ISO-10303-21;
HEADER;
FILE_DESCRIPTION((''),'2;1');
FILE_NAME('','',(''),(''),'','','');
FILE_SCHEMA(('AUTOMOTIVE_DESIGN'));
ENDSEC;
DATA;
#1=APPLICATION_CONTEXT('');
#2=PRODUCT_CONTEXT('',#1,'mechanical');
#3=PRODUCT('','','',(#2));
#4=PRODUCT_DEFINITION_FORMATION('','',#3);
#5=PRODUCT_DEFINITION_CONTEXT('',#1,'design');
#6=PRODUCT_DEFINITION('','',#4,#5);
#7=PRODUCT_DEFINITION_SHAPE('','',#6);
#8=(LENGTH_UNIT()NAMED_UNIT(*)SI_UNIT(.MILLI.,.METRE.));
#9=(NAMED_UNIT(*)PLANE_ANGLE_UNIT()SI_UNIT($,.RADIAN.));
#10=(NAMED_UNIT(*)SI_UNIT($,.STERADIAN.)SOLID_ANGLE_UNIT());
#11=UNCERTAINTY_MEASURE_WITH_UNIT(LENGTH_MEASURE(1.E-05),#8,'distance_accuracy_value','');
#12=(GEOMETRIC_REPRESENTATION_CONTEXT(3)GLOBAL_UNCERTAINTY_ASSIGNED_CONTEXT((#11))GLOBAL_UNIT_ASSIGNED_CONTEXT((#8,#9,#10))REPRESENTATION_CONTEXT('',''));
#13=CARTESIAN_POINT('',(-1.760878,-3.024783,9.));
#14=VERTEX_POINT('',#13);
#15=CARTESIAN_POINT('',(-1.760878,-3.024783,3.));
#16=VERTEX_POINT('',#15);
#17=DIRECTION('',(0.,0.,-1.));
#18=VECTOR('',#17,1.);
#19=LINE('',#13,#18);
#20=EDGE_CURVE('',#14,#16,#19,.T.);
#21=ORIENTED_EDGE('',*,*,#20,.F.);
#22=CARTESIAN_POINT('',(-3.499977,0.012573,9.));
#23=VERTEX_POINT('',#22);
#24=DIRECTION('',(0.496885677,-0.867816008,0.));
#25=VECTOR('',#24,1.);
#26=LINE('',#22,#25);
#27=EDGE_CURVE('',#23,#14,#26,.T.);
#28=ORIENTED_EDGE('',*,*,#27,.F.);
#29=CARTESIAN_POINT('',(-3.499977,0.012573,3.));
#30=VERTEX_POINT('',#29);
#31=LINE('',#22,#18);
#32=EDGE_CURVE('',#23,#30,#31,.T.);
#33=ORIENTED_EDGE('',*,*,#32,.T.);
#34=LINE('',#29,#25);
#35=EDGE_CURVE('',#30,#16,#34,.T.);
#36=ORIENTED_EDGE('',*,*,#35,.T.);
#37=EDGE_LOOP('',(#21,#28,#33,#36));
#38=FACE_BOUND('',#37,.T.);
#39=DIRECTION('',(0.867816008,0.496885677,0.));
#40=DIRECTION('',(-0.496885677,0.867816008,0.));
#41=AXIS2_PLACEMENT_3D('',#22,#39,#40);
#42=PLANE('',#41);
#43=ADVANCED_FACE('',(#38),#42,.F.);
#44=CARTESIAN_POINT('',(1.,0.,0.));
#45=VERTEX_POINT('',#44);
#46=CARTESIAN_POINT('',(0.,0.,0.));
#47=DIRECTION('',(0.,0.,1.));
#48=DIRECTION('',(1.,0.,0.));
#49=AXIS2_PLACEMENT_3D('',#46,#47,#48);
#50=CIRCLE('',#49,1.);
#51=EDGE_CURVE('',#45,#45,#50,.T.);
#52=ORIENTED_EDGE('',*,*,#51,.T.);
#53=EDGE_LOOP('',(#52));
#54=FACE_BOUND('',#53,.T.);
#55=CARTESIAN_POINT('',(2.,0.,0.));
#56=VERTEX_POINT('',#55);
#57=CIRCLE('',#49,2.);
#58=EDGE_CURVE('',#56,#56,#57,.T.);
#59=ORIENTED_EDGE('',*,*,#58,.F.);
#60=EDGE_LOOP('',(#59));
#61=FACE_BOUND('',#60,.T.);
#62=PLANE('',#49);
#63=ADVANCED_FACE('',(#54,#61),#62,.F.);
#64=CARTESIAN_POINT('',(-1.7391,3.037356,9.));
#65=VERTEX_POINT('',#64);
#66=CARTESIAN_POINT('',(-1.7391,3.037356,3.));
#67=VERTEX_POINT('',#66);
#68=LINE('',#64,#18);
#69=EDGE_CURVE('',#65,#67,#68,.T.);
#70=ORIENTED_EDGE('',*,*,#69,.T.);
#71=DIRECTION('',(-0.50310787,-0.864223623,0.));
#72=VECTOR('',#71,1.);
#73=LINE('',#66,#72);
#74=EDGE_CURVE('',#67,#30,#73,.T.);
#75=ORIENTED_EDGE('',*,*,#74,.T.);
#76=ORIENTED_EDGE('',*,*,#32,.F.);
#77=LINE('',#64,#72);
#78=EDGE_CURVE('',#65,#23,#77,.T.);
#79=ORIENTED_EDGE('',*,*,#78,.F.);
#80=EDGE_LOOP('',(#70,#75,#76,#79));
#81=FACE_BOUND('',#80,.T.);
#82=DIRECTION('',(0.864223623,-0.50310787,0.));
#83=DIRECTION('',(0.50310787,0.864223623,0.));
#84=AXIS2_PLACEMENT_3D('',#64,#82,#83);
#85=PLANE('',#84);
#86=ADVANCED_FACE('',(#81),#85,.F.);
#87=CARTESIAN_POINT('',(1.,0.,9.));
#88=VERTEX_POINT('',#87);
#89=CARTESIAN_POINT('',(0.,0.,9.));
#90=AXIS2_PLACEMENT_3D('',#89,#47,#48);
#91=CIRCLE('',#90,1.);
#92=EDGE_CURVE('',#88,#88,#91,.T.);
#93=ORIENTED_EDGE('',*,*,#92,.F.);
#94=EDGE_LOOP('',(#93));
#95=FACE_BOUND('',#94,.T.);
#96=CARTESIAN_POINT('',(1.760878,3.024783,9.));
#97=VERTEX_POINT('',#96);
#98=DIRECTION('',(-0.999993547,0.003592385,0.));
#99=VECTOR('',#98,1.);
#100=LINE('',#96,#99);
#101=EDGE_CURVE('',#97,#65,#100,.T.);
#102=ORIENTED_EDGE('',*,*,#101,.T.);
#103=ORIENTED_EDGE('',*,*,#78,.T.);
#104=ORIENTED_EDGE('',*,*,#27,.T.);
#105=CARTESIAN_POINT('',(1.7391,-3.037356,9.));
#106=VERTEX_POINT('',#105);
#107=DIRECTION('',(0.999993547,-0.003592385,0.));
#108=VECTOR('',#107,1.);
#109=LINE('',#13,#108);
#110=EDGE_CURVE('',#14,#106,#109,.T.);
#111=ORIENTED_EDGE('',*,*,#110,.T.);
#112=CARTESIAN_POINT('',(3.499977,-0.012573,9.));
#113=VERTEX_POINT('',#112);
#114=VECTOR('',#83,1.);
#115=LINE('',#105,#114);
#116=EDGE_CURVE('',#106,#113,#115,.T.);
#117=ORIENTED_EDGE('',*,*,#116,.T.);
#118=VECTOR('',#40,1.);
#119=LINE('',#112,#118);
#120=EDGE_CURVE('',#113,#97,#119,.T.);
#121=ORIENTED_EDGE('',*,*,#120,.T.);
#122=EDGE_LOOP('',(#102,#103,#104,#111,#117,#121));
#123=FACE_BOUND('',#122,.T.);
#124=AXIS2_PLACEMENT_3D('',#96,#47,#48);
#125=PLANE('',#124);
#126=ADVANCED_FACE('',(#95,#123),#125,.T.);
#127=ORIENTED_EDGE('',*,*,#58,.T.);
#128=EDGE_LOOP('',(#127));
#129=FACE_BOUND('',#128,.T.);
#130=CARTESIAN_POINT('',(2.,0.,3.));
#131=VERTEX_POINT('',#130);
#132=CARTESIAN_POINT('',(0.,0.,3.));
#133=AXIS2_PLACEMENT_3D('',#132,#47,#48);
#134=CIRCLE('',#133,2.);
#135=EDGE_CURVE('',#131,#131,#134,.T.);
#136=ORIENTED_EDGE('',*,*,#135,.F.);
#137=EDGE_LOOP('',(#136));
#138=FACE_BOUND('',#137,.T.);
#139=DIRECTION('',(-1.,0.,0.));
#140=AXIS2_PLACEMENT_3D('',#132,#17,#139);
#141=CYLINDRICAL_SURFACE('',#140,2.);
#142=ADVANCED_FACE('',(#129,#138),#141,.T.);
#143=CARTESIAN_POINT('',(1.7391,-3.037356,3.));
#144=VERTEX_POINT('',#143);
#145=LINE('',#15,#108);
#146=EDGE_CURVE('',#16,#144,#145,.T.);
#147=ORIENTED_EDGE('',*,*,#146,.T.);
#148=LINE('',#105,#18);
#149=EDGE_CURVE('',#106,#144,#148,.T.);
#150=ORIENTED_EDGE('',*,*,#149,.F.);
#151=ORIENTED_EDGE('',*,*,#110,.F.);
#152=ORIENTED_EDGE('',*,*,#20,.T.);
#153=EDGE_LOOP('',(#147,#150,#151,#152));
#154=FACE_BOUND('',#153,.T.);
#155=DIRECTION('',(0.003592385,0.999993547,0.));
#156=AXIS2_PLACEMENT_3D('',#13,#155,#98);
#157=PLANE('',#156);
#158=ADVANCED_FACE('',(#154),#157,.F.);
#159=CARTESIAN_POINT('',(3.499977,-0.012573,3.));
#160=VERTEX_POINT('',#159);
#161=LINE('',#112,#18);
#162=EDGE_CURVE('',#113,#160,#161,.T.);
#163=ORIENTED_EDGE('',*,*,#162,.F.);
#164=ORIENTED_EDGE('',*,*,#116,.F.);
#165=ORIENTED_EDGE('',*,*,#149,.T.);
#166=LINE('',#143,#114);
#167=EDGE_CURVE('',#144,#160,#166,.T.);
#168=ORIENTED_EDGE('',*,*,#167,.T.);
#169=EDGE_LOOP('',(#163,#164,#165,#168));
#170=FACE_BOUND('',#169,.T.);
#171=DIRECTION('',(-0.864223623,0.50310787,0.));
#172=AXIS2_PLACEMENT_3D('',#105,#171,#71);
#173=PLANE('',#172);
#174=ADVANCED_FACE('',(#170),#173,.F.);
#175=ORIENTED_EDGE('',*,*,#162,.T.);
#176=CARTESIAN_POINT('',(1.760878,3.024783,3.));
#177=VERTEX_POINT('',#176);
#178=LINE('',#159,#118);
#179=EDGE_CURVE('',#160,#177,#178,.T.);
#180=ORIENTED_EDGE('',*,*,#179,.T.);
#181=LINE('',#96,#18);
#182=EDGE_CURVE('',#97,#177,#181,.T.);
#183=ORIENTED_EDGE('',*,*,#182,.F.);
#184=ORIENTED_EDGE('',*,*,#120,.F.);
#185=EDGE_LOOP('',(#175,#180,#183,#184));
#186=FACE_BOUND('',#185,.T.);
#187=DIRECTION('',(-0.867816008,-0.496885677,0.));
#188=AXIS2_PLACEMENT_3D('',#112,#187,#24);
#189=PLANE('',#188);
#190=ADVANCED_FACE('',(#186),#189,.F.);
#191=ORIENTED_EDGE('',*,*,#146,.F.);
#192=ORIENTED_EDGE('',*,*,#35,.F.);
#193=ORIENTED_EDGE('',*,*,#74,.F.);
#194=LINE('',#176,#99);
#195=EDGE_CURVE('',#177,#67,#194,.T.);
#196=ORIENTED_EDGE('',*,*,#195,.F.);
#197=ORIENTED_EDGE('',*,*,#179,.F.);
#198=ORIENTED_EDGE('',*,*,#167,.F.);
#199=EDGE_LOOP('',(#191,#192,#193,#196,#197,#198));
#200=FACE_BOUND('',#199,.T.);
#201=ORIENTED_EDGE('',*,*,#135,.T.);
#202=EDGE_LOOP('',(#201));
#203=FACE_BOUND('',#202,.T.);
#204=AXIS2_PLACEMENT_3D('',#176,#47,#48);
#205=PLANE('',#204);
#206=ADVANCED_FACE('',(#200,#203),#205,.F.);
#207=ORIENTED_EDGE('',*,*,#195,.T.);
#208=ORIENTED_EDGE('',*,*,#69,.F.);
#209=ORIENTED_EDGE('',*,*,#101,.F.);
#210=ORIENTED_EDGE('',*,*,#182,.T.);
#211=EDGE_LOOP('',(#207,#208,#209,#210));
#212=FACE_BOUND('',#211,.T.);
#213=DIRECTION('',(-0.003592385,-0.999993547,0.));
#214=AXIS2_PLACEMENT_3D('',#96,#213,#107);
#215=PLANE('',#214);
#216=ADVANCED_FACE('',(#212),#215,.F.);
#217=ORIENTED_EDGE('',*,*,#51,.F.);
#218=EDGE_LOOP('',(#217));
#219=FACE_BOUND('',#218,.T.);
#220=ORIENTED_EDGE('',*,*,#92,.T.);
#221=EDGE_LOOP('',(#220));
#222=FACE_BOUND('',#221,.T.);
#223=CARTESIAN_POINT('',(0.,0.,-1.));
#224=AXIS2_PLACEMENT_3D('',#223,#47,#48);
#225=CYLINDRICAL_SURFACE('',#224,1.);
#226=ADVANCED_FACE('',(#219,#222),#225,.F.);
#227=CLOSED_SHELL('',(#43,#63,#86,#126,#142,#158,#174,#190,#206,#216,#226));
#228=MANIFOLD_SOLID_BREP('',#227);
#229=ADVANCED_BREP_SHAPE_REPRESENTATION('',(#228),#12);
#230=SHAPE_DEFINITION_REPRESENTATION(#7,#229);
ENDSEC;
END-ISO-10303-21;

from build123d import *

# Parameters (mm, degrees)
SKETCH_1_R          = 2
EXTRUDE_1_DEPTH     = 3
EXTRUDE_2_DEPTH     = 6
SKETCH_3_R          = 1
CUT_EXTRUDE_1_DEPTH = 10


with BuildPart() as part:
    # 草图1 → 凸台-拉伸1 (new body)
    with BuildSketch(Plane.XY):
        Circle(SKETCH_1_R)
    extrude(amount=EXTRUDE_1_DEPTH)

    # 草图2 → 凸台-拉伸2 (add)
    with BuildSketch(Plane.XY.offset(3)):
        Polygon((1.760877545, 3.024782682), (-1.739099871, 3.037356028), (-3.499977416, 0.012573346), (-1.760877545, -3.024782682), (1.739099871, -3.037356028), (3.499977416, -0.012573346), align=None)
    extrude(amount=EXTRUDE_2_DEPTH)

    # 草图3 → 切除-拉伸1 (cut)
    with BuildSketch(Plane.XY.offset(9)):
        Circle(SKETCH_3_R)
    extrude(amount=-CUT_EXTRUDE_1_DEPTH, mode=Mode.SUBTRACT)


solid = part.part
